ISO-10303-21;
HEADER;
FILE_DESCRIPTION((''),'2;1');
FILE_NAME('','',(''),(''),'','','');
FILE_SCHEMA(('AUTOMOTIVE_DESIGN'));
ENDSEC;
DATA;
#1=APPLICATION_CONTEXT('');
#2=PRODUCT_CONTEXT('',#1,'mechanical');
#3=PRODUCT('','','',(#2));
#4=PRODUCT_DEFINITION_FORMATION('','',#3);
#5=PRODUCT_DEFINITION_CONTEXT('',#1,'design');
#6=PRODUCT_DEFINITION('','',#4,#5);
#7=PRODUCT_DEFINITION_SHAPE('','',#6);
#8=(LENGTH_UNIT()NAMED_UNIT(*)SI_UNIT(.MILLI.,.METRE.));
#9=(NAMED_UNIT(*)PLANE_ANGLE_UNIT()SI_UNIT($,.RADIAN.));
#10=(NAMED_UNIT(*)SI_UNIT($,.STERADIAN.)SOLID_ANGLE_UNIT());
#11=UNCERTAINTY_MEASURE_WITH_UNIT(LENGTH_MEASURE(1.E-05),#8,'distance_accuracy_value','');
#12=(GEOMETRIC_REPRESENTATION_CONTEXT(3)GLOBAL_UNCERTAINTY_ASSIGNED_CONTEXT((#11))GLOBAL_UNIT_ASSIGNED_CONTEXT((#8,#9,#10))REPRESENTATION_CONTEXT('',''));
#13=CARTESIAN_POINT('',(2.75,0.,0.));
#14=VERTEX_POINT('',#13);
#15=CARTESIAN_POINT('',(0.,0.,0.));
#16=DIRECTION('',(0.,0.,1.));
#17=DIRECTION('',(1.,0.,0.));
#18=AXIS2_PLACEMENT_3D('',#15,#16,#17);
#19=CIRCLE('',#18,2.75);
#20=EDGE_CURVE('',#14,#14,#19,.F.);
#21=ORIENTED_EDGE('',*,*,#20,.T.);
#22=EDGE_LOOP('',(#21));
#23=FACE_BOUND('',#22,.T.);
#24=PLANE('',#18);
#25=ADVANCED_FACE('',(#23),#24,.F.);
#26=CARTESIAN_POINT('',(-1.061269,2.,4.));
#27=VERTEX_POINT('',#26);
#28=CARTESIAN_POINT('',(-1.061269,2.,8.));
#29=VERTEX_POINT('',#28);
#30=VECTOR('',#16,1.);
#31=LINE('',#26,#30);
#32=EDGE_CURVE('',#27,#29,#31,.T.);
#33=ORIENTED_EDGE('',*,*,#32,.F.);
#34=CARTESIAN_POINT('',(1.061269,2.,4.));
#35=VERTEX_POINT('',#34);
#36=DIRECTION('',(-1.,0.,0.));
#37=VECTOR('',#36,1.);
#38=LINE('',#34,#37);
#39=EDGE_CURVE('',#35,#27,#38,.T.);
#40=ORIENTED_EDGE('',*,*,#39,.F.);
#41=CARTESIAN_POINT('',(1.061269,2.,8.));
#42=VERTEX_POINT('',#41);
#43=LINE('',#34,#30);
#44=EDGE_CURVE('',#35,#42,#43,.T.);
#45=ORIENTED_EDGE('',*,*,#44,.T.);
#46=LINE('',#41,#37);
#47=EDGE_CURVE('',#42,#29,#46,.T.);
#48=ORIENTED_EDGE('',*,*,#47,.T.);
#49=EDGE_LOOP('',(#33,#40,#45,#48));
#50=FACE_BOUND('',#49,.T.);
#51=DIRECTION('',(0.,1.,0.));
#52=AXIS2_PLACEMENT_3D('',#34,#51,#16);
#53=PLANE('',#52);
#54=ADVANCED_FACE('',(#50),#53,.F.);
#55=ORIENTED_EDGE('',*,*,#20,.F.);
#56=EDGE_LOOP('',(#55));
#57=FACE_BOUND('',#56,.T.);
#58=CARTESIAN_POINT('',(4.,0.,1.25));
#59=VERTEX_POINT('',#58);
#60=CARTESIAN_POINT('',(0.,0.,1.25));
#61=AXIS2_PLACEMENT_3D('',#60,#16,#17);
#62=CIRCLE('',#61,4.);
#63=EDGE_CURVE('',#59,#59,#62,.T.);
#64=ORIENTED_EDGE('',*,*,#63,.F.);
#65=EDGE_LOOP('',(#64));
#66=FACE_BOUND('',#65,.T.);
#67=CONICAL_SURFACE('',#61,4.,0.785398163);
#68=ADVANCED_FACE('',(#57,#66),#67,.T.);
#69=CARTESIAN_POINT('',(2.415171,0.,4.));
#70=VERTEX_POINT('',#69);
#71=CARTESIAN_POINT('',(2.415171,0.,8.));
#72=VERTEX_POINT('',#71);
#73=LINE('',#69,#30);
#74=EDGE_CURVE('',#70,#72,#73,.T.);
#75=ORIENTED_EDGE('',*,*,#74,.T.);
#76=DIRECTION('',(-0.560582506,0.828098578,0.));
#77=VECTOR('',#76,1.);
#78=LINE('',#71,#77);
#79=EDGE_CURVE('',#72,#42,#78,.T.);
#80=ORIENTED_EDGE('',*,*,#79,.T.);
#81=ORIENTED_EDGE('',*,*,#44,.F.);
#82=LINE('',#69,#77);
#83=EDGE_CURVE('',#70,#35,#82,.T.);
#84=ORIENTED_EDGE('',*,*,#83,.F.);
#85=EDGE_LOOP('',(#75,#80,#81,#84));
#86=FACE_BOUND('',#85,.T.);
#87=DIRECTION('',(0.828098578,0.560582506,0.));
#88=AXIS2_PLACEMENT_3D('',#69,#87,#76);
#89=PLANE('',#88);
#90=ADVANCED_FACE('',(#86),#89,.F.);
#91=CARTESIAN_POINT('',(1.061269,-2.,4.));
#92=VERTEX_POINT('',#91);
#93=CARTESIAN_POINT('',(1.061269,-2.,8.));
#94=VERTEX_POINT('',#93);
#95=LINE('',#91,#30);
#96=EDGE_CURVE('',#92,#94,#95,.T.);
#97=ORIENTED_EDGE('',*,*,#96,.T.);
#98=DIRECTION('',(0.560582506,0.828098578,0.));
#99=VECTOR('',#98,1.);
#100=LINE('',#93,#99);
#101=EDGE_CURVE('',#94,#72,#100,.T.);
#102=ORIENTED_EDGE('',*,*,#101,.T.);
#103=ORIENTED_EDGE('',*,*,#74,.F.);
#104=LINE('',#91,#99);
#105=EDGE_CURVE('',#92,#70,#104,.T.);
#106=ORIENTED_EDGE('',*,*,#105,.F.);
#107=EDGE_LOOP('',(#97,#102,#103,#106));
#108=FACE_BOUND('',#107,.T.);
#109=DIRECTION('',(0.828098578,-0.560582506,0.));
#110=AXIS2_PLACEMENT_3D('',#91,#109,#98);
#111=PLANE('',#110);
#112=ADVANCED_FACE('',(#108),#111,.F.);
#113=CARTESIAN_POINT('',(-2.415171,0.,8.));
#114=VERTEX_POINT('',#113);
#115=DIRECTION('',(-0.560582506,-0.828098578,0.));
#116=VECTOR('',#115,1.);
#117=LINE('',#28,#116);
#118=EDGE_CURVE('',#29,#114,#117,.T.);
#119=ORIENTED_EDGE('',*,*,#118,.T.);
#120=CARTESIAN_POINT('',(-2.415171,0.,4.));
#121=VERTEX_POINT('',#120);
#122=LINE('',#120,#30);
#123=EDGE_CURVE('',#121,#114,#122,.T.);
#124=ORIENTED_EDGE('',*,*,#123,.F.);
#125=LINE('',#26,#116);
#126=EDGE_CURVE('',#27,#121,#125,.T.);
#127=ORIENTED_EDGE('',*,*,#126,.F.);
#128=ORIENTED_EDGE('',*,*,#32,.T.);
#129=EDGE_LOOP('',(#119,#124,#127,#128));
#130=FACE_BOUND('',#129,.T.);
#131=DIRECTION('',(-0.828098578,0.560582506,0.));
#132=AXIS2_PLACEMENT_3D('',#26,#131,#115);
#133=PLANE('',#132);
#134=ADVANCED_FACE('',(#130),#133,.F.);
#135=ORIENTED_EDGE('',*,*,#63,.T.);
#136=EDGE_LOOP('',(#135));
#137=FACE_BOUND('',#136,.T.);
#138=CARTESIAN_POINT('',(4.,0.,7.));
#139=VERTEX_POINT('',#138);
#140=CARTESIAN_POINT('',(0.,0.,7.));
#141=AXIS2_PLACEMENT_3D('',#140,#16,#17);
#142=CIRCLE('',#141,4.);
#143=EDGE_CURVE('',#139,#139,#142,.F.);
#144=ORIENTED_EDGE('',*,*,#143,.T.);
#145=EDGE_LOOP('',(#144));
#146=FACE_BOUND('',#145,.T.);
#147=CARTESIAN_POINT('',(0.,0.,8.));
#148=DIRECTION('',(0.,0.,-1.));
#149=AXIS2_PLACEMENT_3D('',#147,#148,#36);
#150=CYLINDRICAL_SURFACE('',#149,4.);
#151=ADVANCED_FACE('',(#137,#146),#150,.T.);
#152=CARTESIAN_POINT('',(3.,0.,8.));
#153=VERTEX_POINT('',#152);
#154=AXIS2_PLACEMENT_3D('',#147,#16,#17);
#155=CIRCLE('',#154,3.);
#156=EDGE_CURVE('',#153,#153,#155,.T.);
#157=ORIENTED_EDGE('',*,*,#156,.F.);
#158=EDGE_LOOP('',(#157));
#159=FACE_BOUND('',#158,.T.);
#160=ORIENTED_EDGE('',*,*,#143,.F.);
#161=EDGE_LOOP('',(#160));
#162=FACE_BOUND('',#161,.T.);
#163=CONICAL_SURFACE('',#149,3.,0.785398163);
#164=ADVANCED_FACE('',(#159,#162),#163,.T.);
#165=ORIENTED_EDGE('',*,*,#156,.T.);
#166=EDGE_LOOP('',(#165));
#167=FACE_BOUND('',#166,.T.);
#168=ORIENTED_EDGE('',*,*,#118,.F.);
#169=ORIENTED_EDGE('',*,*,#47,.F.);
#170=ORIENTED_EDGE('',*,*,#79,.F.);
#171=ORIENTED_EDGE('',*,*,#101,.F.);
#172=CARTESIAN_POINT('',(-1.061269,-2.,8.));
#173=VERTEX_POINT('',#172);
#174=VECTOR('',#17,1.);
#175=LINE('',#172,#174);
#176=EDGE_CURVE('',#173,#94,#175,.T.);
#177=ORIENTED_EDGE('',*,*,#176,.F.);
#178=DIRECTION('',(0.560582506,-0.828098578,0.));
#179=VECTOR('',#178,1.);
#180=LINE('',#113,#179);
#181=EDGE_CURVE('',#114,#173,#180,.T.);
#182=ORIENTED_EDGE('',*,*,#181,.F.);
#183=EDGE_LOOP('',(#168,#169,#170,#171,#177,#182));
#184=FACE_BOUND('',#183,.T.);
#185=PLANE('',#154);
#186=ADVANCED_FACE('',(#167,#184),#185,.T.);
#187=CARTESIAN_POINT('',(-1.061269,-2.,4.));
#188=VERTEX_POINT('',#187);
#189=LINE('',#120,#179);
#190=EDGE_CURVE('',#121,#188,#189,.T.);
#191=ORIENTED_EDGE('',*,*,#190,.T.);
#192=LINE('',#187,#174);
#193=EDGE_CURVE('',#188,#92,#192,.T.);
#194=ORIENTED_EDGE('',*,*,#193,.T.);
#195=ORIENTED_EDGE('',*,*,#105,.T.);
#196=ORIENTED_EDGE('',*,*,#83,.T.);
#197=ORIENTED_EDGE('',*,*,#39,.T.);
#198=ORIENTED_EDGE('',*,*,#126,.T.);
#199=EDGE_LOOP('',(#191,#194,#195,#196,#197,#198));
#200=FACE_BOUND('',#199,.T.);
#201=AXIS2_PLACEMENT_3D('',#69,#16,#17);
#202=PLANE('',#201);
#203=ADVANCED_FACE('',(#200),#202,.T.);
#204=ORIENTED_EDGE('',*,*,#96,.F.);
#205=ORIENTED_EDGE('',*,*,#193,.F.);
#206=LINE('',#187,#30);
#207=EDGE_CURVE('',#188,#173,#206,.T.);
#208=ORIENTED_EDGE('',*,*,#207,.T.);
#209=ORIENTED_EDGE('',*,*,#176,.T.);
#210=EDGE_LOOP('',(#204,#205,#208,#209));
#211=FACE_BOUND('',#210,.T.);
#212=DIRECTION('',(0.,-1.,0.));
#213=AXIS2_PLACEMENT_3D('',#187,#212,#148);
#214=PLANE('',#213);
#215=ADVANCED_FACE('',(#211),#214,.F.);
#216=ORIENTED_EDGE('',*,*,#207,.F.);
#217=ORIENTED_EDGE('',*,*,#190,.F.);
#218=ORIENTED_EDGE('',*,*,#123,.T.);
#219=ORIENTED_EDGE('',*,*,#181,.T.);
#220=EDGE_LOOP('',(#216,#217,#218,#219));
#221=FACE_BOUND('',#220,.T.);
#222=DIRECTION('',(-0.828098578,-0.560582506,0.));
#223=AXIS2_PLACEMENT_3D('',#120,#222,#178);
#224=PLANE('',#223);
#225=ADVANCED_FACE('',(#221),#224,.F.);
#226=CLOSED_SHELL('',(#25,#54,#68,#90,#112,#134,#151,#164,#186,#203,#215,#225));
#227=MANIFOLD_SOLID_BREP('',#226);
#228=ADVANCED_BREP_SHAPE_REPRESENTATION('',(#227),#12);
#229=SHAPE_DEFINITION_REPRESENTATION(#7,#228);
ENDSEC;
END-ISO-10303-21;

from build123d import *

# Parameters (mm, degrees)
ESQUISSE1_R             = 4
BASE_EXTRUSION_DEPTH    = 8
CHANFREIN1_SIZE         = 1.25
ENL_V_MAT_EXTRU_1_DEPTH = 4
CHANFREIN2_SIZE         = 1


with BuildPart() as part:
    # Esquisse1 → Base-Extrusion (new body)
    with BuildSketch(Plane.XY):
        Circle(ESQUISSE1_R)
    extrude(amount=BASE_EXTRUSION_DEPTH)

    # Chanfrein1
    chanfrein1_edges = [part.edges().sort_by_distance(p)[0] for p in [
        (-4, 0, 0),
    ]]
    chamfer(chanfrein1_edges, length=CHANFREIN1_SIZE)

    # Esquisse2 → Enlèv. mat.-Extru.1 (cut)
    with BuildSketch(Plane.XY.offset(8)):
        Polygon((2.415171399, 0), (1.061268564, 2), (-1.061268564, 2), (-2.415171399, 0), (-1.061268564, -2), (1.061268564, -2), align=None)
    extrude(amount=-ENL_V_MAT_EXTRU_1_DEPTH, mode=Mode.SUBTRACT)

    # Chanfrein2
    chanfrein2_edges = [part.edges().sort_by_distance(p)[0] for p in [
        (-4, 0, 8),
    ]]
    chamfer(chanfrein2_edges, length=CHANFREIN2_SIZE)


solid = part.part
